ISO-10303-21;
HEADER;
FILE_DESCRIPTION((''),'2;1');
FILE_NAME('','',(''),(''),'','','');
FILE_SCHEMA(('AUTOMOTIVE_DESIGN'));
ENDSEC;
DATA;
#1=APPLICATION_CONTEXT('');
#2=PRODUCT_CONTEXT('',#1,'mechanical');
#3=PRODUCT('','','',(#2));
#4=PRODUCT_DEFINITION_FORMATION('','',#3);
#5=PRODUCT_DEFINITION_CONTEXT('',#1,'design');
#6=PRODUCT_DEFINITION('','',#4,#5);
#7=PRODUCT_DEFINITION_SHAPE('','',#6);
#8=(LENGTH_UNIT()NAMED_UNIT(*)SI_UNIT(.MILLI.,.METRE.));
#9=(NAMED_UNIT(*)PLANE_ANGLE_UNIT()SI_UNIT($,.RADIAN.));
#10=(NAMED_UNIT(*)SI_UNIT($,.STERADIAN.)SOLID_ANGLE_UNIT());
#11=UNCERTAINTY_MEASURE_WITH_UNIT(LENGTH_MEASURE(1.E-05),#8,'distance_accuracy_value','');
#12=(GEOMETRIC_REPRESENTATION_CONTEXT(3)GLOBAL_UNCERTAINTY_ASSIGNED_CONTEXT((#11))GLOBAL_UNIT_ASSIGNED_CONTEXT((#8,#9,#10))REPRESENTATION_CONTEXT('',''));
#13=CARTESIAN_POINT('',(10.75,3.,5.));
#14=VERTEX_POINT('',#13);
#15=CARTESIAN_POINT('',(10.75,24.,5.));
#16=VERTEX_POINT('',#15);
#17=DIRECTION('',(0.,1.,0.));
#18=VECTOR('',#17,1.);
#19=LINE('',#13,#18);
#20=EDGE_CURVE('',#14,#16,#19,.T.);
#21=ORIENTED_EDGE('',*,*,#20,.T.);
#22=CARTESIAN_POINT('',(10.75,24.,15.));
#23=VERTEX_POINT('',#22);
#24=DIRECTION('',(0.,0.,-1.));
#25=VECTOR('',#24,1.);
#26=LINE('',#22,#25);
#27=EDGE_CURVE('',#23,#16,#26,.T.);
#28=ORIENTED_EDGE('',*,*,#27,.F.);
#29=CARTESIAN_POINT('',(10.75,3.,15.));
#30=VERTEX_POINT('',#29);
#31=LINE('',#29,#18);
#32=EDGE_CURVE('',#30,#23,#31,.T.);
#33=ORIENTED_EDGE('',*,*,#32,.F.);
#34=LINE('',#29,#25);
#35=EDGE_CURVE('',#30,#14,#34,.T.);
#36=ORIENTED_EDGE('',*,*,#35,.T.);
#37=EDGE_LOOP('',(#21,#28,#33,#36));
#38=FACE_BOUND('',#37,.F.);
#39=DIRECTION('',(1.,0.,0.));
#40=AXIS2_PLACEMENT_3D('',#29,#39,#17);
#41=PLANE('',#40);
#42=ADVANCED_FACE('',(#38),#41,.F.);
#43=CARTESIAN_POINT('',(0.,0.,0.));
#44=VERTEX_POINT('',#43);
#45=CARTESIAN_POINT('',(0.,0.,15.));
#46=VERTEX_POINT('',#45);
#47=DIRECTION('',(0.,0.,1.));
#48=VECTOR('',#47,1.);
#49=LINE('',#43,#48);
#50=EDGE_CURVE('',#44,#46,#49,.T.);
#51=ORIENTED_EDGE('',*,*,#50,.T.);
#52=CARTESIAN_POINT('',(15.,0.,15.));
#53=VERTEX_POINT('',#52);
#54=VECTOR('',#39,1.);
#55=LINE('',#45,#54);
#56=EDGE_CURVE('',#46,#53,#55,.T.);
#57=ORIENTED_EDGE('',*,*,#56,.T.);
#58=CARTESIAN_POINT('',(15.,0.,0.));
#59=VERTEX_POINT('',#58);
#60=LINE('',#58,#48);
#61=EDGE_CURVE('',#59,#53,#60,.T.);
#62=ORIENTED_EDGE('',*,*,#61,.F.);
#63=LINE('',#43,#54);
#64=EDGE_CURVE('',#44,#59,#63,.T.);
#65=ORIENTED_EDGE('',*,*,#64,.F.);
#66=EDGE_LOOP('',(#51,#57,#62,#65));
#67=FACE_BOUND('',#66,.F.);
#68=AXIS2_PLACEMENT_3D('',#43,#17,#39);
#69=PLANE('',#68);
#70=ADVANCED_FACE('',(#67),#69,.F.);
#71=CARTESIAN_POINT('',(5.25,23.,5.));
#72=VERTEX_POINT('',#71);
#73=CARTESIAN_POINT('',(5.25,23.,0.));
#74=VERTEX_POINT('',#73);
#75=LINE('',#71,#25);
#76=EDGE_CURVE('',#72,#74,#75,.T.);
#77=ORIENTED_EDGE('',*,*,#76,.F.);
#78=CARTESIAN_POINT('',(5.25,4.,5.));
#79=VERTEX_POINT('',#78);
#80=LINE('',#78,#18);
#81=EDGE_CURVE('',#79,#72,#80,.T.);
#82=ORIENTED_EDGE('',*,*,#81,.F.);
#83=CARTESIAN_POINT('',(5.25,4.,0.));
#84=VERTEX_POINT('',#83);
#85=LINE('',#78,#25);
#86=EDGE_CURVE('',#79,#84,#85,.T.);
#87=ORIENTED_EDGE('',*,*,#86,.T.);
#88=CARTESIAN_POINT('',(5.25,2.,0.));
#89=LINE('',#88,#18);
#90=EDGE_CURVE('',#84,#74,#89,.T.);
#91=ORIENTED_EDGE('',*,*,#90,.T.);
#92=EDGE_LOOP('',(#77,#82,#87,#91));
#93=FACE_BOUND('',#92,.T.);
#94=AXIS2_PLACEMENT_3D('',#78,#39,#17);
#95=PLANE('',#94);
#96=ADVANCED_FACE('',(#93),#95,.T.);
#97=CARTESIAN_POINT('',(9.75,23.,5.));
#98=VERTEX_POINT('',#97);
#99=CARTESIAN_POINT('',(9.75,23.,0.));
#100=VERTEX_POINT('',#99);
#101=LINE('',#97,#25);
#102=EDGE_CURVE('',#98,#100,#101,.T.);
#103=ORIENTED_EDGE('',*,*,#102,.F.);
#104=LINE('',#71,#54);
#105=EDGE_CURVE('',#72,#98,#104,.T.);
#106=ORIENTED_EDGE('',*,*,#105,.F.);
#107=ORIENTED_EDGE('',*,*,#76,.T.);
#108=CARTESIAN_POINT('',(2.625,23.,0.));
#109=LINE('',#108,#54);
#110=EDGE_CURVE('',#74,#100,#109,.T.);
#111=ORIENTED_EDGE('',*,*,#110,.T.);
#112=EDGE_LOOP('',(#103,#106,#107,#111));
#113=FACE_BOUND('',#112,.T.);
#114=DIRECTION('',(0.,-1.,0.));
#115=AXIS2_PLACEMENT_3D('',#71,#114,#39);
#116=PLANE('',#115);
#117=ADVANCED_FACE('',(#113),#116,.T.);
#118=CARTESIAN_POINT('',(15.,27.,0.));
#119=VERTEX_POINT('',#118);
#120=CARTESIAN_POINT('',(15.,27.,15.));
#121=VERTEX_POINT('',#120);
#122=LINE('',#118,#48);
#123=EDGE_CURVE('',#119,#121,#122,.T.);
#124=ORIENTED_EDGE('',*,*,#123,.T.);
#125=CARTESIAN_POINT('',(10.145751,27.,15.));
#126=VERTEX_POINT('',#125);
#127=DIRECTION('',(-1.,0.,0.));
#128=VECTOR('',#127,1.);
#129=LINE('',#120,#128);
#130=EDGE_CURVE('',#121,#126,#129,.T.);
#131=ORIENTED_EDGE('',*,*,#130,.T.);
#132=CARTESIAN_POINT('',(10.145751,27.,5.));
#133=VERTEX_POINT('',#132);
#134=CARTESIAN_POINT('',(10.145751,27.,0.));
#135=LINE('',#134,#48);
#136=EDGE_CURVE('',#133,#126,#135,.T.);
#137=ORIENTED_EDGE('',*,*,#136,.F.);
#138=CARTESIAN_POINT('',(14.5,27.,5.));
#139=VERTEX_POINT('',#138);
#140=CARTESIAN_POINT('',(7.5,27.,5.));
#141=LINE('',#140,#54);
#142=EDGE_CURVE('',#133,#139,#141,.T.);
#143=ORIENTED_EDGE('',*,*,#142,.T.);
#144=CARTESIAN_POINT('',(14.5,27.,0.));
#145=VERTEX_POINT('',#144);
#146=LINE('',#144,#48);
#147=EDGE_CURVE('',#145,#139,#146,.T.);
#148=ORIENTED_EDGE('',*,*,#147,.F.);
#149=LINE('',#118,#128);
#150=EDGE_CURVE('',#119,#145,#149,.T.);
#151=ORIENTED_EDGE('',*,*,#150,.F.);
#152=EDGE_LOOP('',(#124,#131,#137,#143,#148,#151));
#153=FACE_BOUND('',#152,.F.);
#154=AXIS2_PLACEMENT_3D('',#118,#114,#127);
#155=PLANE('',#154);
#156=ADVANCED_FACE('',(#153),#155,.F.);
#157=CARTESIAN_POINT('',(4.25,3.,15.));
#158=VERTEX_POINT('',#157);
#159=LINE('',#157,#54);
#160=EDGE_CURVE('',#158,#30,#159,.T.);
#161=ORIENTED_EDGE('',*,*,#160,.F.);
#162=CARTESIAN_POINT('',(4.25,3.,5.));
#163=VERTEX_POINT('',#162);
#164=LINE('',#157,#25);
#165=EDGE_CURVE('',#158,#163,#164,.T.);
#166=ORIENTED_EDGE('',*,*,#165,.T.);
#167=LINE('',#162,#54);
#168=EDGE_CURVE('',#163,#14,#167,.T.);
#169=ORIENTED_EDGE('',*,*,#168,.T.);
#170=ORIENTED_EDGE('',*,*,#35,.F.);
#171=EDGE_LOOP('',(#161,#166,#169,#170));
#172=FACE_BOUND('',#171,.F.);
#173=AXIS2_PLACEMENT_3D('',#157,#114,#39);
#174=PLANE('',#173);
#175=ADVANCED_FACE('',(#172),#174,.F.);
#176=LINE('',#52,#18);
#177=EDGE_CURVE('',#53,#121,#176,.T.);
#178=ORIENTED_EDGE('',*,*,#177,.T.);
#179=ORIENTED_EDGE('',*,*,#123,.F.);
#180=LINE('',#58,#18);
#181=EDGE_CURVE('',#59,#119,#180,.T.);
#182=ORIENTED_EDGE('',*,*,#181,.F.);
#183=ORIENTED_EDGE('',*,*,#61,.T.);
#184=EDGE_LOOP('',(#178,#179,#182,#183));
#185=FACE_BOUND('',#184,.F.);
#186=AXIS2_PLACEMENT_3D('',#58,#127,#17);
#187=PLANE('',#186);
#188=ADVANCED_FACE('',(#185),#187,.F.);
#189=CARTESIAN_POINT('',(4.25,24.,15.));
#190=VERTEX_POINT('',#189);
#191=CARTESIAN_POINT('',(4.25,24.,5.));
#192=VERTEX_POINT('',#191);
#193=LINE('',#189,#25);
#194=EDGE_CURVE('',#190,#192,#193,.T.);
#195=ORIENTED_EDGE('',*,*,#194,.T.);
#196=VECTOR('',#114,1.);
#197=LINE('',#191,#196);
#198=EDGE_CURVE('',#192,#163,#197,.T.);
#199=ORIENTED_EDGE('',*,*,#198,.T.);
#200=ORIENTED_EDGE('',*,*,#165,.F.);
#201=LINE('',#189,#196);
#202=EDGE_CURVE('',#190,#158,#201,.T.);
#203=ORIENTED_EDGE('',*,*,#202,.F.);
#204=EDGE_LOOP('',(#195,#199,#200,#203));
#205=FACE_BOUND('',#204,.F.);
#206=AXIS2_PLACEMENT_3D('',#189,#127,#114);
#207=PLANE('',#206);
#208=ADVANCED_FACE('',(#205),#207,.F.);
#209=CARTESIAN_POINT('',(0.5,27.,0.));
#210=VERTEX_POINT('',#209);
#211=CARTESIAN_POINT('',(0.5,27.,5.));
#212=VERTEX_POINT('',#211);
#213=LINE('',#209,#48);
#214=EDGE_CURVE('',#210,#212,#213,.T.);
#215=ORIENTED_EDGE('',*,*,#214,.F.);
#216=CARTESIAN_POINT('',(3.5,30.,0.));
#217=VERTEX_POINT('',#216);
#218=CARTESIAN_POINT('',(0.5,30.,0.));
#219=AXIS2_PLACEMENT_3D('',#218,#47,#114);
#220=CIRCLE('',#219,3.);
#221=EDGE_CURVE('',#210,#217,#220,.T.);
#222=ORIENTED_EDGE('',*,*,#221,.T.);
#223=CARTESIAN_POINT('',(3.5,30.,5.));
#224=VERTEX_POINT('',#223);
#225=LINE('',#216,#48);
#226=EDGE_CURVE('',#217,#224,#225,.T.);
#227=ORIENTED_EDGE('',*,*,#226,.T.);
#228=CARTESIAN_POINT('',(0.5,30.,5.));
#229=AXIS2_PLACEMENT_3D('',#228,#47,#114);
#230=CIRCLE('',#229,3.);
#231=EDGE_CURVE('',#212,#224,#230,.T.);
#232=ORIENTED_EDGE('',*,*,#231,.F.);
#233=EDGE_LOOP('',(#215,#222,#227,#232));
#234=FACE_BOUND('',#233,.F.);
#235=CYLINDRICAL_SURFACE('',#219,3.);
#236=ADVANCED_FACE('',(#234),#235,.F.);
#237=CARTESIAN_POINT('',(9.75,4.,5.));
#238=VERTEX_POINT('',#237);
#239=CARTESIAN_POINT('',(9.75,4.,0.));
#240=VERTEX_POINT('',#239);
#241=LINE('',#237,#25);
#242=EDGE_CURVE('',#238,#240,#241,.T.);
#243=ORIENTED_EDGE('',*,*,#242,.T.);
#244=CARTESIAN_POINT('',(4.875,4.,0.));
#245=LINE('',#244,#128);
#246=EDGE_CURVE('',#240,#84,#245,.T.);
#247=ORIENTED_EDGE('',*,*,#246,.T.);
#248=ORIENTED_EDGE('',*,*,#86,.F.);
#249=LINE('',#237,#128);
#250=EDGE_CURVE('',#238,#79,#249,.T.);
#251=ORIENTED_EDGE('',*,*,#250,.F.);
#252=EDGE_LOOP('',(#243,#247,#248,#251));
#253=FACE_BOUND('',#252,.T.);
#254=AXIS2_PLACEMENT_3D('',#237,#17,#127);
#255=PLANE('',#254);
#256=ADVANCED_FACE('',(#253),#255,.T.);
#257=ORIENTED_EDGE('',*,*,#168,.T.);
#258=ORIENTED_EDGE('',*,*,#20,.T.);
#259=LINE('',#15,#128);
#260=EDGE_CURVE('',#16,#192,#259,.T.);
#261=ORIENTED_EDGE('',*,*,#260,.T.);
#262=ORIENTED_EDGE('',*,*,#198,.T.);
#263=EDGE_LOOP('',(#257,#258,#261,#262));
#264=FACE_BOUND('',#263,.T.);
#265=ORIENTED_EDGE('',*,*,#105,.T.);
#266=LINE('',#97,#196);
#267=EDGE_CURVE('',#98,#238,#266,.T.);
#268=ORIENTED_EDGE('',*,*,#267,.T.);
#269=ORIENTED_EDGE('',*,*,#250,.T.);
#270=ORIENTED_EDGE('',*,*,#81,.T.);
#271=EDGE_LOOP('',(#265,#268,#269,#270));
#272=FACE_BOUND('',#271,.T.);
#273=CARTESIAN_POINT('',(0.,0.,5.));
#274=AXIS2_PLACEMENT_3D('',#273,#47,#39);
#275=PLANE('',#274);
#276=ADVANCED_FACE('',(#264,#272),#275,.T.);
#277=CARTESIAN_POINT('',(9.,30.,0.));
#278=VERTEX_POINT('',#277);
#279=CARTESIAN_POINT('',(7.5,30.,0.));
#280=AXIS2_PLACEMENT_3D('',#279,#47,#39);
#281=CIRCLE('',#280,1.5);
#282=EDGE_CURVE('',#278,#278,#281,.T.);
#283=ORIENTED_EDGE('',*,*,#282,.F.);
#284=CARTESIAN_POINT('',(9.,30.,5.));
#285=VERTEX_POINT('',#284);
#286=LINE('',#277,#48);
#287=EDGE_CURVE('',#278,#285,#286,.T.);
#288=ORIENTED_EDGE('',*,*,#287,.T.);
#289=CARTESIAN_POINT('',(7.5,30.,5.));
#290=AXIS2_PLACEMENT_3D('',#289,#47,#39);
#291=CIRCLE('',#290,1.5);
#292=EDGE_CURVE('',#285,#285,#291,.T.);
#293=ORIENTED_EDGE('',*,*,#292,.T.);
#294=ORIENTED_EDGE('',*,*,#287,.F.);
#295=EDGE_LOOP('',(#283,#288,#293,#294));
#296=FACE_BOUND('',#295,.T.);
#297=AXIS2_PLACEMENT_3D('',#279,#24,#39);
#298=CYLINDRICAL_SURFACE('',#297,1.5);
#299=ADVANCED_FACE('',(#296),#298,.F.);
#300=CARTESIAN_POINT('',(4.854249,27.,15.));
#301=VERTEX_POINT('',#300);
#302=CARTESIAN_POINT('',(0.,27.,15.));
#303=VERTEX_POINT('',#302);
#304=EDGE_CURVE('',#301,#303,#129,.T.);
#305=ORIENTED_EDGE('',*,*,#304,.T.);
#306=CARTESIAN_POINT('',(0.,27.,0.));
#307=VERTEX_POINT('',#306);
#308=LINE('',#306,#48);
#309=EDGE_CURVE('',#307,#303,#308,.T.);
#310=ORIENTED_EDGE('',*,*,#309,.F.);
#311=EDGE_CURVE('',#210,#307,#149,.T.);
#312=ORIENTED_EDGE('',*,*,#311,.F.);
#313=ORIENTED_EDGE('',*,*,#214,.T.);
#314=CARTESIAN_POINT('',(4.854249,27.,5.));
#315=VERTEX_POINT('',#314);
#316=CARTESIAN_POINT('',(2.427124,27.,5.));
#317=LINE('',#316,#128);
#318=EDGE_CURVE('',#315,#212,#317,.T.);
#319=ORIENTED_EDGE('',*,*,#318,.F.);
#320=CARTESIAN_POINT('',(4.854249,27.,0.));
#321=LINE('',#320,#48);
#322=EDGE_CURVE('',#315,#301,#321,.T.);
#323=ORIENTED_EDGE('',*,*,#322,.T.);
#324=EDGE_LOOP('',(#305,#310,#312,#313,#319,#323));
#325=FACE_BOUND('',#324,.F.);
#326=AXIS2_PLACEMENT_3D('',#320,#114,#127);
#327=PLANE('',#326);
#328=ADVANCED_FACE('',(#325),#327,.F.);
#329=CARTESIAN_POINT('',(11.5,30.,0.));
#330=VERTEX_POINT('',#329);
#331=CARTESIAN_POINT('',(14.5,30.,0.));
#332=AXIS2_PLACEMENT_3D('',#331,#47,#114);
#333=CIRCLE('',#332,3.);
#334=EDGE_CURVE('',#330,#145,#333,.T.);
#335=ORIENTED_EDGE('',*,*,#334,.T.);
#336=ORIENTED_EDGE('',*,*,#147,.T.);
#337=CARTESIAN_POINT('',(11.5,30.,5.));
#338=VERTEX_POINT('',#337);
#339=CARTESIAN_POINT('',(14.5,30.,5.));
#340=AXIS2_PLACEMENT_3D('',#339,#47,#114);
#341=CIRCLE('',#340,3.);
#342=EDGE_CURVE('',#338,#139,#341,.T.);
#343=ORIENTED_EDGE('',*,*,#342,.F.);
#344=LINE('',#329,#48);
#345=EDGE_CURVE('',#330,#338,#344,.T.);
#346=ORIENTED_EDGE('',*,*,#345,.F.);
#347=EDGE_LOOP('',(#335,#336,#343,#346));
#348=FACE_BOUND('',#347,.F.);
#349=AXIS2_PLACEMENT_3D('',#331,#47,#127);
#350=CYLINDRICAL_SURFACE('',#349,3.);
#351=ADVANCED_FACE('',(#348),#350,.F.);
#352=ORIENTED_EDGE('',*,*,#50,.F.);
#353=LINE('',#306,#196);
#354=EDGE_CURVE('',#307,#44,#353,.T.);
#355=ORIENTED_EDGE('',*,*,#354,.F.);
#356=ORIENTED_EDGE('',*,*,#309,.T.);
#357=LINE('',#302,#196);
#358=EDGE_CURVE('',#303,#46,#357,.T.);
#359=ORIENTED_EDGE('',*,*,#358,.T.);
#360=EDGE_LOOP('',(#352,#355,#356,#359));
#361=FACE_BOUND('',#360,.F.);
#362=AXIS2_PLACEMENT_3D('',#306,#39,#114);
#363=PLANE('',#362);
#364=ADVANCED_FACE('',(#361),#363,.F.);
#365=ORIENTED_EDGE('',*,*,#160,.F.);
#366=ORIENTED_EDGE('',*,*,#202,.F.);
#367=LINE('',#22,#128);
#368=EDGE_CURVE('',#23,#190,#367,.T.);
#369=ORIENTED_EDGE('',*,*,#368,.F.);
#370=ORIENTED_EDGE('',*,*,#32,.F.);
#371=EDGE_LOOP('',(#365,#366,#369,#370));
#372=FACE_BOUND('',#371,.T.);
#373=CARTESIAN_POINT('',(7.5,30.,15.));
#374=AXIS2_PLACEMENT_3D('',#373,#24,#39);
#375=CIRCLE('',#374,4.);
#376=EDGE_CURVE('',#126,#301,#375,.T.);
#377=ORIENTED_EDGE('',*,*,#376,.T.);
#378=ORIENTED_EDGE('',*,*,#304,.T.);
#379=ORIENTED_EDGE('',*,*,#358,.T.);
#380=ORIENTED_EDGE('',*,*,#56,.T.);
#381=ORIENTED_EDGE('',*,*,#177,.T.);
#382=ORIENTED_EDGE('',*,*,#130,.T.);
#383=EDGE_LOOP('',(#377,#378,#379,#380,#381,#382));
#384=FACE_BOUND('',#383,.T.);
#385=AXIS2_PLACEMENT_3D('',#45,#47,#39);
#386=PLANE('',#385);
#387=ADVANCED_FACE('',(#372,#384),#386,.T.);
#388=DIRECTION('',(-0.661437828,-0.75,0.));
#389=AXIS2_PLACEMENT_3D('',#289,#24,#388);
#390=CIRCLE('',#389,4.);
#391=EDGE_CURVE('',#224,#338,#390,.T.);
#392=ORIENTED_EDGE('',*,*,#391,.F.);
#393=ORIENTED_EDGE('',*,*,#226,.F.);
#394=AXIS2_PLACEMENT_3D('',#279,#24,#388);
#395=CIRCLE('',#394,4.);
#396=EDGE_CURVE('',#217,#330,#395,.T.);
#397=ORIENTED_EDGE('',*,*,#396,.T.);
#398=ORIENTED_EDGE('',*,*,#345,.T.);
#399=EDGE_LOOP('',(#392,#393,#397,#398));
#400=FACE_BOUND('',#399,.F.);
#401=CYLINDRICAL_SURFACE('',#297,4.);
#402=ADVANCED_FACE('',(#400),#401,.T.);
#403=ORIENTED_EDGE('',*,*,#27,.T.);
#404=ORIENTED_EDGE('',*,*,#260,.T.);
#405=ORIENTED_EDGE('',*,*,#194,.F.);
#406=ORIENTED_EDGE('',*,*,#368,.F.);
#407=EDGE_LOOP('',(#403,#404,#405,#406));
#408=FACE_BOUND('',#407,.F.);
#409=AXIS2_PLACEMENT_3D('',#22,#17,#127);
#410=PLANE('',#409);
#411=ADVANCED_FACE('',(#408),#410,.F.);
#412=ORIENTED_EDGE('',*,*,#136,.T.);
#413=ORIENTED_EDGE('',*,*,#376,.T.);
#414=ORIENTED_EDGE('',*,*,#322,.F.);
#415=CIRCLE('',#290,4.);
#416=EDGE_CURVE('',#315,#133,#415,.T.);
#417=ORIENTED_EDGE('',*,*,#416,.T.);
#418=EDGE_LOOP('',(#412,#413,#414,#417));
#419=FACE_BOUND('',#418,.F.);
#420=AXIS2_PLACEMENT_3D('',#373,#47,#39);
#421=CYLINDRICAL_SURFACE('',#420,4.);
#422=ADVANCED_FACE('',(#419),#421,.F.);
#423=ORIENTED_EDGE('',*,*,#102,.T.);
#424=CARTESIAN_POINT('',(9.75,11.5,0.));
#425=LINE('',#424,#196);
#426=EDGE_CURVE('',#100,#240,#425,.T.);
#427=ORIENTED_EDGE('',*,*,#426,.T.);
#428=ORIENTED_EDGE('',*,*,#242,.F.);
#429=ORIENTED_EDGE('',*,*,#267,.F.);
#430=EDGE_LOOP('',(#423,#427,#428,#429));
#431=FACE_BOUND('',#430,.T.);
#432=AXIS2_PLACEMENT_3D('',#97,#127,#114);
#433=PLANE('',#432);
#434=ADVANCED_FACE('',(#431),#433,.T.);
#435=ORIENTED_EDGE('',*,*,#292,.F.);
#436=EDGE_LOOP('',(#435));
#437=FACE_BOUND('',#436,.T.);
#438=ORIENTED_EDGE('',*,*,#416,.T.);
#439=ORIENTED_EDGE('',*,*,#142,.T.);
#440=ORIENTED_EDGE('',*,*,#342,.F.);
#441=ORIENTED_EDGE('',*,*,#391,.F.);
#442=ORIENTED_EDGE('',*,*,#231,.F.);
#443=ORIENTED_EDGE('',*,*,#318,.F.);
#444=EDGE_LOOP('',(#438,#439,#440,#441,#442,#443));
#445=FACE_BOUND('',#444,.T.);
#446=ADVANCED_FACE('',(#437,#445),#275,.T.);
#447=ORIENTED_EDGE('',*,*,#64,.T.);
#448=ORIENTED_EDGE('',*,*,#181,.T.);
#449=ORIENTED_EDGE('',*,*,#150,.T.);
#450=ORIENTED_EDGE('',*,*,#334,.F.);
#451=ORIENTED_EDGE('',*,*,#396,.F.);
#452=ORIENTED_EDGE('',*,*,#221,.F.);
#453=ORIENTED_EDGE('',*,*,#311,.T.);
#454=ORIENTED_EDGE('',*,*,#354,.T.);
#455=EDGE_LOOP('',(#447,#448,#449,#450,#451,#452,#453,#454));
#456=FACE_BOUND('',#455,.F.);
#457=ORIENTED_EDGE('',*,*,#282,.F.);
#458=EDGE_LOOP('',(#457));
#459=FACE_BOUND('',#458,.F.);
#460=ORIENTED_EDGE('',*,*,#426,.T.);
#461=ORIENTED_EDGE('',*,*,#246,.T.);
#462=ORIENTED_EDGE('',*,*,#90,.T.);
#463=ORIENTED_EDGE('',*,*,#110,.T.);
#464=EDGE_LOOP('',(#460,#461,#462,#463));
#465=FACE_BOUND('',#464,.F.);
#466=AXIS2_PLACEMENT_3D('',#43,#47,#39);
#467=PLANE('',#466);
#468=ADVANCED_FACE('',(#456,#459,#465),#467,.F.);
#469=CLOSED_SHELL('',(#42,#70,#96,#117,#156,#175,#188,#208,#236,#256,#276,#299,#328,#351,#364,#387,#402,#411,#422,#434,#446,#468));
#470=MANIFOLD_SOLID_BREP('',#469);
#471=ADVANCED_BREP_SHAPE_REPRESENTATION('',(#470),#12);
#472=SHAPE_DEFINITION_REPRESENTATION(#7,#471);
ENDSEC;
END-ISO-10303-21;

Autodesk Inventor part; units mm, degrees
ref_plane "YZ Plane" through (0, 0, 0) normal (1, 0, 0) x (0, 1, 0)
ref_plane "XZ Plane" through (0, 0, 0) normal (0, 1, 0) x (-1, 0, 0)
ref_plane "XY Plane" through (0, 0, 0) normal (0, 0, 1) x (1, 0, 0)
sketch "Sketch1" plane through (0, 0, 0) normal (0, 0, 1) x (1, 0, 0)
  line L0 (0, 0) -> (15, 0)
  line L1 (15, 0) -> (15, 27)
  line L2 (15, 27) -> (0, 27)
  line L3 (0, 27) -> (0, 0)
  circle A0 centre (7.5, 30) radius 4
  circle A1 centre (7.5, 30) radius 1.5
  point P0 (7.5, 27)
  dimension "d2" = 15
  dimension "d3" = 27
  dimension "d7" = 8
  dimension "d8" = 3
  dimension "d9" = 3
extrude "Extrusion1" add sketch "Sketch1" along normal blind 15
sketch "Sketch2" plane through (0, 0, 15) normal (0, 0, 1) x (1, 0, 0)
  circle A0 centre (7.5, 30) radius 1.5
  line L0 (0, 27) -> (0, 0)
  line L1 (0, 0) -> (15, 0)
  line L2 (15, 0) -> (15, 27)
  circle A1 centre (7.5, 30) radius 4
  arc A2 (10.1458, 27) -> (4.8542, 27) centre (7.5, 30) ccw
  line L3 (4.25, 3) -> (10.75, 3)
  line L4 (10.75, 3) -> (10.75, 24)
  line L5 (10.75, 24) -> (4.25, 24)
  line L6 (4.25, 24) -> (4.25, 3)
  point P0 (11.4441, 29.3333)
  point P1 (3.5559, 29.3333)
  point P2 (10.75, 13.5)
  point P3 (15, 13.5)
  point P4 (7.5, 3)
  point P5 (7.5, 0)
  dimension "d14" = 6.5
  dimension "d16" = 21
extrude "Extrusion2" cut sketch "Sketch2" against normal blind 10
fillet "Fillet2" radius 3 2 edges at (10.1458, 27, 2.5) (4.8542, 27, 2.5)
sketch "Sketch3" plane through (0, 0, 5) normal (0, 0, 1) x (1, 0, 0)
  line L0 (10.75, 3) -> (4.25, 3) construction
  line L1 (10.75, 24) -> (10.75, 3) construction
  line L2 (4.25, 24) -> (10.75, 24) construction
  line L3 (4.25, 3) -> (4.25, 24) construction
  line L4 (5.25, 23) -> (9.75, 23)
  line L5 (9.75, 23) -> (9.75, 4)
  line L6 (9.75, 4) -> (5.25, 4)
  line L7 (5.25, 4) -> (5.25, 23)
  point P0 (0, 0)
  dimension "d20" = 1
extrude "Extrusion3" cut sketch "Sketch3" against normal blind 10
properties part number "relay1"
